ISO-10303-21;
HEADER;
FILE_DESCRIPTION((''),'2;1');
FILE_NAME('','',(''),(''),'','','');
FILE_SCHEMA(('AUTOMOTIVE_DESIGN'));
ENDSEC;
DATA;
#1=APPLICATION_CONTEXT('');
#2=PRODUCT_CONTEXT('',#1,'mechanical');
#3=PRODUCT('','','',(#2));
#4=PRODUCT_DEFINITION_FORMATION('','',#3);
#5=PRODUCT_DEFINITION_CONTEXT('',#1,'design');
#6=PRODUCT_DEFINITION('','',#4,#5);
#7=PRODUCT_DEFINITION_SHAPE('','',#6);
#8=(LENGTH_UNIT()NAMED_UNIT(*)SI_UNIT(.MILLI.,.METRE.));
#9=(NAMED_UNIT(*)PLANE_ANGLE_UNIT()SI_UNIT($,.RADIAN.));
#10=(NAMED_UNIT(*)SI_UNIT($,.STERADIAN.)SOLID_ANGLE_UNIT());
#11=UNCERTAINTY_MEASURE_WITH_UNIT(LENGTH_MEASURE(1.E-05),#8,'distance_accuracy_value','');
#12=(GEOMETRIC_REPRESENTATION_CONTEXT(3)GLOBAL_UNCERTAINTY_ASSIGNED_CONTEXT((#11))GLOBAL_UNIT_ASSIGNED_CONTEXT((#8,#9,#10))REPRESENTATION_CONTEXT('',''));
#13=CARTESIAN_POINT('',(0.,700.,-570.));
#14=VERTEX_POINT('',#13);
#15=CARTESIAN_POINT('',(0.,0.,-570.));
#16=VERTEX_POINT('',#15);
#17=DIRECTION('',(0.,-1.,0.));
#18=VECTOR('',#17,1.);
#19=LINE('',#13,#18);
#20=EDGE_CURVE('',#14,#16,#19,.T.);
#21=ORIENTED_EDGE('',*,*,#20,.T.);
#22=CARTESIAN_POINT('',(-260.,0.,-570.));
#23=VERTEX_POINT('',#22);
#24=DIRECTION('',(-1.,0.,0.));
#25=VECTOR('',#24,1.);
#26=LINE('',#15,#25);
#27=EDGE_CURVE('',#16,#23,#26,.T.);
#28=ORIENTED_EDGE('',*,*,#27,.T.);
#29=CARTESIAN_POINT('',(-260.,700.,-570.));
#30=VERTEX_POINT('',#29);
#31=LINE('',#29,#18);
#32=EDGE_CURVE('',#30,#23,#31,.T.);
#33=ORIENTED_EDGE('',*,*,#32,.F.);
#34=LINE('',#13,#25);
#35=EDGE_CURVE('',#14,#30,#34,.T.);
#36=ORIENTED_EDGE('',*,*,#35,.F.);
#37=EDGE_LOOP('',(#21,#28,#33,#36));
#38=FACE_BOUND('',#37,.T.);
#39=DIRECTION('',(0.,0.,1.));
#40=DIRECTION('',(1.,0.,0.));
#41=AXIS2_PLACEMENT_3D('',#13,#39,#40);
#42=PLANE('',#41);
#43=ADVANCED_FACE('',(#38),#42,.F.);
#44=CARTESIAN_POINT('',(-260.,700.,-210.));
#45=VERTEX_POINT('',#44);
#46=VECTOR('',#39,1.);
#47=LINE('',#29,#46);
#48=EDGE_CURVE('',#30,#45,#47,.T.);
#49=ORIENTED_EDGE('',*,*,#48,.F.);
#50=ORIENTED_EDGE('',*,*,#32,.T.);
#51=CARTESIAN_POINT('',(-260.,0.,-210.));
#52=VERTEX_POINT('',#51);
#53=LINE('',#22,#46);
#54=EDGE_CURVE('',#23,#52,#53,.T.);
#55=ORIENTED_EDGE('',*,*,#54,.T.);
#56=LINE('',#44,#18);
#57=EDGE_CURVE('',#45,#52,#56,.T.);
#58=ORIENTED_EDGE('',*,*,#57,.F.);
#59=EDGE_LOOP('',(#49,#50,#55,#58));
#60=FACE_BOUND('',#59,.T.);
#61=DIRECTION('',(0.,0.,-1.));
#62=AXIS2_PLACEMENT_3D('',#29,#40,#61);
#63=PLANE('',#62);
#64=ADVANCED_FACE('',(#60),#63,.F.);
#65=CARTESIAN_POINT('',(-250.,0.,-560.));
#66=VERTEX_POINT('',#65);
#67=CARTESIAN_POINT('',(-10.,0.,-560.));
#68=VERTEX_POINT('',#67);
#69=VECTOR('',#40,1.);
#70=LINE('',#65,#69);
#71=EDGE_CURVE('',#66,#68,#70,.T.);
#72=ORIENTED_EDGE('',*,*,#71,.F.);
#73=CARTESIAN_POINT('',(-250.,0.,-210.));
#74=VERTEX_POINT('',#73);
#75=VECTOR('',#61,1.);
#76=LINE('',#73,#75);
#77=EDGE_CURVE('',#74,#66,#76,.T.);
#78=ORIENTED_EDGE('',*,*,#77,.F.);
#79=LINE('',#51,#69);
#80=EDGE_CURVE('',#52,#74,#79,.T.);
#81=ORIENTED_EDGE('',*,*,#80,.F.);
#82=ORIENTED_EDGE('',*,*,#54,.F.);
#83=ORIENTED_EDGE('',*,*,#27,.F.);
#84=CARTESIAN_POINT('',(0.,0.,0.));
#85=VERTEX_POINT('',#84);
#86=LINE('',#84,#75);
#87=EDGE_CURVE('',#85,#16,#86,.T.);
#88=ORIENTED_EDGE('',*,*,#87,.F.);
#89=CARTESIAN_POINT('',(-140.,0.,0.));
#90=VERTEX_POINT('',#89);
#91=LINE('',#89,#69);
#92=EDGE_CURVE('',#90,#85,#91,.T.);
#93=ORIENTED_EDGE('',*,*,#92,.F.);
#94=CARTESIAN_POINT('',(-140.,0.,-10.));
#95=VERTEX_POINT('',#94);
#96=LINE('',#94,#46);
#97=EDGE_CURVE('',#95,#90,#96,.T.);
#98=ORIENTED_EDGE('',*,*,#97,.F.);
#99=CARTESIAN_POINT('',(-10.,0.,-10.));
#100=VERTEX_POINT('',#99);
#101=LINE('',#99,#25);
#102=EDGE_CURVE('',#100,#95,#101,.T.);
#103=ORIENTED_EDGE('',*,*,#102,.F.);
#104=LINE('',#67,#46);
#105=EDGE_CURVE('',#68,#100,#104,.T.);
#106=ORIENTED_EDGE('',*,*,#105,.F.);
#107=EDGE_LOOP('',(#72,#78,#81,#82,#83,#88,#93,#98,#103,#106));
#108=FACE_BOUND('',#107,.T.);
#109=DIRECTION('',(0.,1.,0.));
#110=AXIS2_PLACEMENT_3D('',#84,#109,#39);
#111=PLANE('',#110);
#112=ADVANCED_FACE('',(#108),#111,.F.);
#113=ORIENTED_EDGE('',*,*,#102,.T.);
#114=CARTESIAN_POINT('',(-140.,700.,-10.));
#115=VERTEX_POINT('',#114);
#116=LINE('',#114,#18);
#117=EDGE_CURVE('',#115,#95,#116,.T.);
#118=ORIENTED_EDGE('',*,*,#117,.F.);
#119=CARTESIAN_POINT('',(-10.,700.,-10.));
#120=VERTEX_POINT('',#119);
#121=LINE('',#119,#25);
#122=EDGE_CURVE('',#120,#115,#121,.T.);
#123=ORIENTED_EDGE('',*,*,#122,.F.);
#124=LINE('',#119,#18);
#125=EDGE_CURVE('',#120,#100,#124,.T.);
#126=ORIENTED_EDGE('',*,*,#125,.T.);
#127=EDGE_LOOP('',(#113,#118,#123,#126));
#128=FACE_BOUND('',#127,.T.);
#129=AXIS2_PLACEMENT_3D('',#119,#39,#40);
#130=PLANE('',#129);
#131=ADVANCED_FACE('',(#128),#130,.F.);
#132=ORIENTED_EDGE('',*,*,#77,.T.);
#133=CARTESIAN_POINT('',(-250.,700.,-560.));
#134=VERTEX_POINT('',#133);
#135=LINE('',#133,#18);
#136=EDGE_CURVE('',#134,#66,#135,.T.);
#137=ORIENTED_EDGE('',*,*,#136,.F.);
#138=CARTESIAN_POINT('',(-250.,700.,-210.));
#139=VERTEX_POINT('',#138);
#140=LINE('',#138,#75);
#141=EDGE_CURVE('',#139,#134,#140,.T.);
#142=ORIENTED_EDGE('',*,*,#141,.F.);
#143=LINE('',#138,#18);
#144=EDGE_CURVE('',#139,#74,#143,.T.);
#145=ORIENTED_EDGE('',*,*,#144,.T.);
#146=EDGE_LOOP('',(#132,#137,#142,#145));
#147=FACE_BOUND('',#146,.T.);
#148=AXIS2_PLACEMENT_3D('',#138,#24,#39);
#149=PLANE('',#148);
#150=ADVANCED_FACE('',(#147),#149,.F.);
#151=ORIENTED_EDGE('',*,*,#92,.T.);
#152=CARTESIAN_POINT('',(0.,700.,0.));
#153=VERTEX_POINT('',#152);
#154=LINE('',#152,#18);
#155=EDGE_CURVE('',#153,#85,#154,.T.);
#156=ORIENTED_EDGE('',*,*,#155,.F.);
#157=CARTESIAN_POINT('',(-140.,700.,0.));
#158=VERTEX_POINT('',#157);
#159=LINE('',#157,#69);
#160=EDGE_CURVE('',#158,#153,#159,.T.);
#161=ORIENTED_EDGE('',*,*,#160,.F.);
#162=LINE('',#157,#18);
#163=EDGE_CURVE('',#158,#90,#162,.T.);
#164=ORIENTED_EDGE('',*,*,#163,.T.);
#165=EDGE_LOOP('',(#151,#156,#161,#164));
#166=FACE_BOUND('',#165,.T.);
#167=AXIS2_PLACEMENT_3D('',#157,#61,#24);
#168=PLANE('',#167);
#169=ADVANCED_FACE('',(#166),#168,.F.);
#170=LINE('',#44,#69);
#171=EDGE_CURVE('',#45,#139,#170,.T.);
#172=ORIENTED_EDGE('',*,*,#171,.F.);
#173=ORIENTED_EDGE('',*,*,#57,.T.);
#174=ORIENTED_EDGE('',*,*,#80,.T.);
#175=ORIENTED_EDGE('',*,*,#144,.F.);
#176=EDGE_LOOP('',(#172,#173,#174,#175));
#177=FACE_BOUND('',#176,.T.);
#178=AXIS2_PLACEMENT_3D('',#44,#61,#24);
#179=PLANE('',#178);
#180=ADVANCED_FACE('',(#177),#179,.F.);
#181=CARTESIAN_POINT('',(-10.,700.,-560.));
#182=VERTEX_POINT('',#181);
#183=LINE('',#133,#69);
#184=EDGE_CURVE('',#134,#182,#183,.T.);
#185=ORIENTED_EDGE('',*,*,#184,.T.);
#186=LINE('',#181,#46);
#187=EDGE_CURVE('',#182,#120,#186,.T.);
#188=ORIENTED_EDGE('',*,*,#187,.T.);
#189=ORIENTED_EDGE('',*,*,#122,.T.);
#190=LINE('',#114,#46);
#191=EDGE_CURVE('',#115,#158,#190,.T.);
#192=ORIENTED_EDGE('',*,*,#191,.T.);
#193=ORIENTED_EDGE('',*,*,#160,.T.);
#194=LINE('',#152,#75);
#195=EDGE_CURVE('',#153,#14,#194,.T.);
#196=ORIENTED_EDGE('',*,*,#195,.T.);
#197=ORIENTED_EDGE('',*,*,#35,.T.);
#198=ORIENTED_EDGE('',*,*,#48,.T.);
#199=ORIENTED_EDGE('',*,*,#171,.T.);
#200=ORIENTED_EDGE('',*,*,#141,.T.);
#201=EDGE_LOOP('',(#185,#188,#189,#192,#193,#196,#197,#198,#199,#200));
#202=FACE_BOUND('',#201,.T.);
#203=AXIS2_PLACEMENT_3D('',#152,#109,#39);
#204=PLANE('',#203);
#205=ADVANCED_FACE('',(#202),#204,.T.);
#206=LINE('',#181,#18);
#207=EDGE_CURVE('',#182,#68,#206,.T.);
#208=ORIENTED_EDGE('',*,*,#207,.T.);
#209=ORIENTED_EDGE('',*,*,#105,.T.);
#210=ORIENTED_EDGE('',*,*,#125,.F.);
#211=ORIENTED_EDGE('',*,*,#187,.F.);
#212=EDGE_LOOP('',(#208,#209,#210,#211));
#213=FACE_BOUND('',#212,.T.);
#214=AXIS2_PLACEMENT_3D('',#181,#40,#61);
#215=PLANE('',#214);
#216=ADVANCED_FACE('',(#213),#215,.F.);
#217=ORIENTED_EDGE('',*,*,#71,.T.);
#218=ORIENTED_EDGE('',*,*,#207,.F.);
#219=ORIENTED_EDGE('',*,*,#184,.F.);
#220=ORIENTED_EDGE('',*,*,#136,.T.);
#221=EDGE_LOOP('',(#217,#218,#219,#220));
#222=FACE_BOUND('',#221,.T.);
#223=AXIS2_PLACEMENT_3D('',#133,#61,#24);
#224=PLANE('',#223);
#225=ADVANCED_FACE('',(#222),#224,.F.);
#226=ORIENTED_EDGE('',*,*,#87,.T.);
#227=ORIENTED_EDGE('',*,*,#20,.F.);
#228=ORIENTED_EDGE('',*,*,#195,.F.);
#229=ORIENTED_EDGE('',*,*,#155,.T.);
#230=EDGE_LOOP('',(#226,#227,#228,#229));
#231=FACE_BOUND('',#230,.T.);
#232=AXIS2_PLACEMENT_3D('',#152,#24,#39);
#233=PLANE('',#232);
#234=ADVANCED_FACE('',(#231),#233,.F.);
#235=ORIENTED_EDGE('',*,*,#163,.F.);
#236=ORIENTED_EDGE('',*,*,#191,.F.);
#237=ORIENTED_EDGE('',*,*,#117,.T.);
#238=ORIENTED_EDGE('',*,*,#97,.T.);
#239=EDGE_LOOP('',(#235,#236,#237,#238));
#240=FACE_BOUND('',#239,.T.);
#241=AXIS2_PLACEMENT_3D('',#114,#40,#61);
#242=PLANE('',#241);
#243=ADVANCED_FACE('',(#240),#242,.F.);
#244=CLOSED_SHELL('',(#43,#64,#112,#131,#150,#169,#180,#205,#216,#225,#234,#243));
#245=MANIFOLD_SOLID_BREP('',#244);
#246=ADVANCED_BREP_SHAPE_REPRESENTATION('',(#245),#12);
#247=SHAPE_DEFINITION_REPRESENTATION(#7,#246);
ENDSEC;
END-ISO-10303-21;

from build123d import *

# Parameters (mm, degrees)
BOSS_EXTRUDE1_DEPTH = 700


with BuildPart() as part:
    # Sketch1 → Boss-Extrude1 (new body)
    with BuildSketch(Plane(origin=(0, 0, 0), x_dir=(1, 0, 0), z_dir=(0, 1, 0))):
        Polygon((0, 0), (0, 570), (-260, 570), (-260, 210), (-250, 210), (-250, 560), (-10, 560), (-10, 10), (-140, 10), (-140, 0), align=None)
    extrude(amount=BOSS_EXTRUDE1_DEPTH)


solid = part.part
